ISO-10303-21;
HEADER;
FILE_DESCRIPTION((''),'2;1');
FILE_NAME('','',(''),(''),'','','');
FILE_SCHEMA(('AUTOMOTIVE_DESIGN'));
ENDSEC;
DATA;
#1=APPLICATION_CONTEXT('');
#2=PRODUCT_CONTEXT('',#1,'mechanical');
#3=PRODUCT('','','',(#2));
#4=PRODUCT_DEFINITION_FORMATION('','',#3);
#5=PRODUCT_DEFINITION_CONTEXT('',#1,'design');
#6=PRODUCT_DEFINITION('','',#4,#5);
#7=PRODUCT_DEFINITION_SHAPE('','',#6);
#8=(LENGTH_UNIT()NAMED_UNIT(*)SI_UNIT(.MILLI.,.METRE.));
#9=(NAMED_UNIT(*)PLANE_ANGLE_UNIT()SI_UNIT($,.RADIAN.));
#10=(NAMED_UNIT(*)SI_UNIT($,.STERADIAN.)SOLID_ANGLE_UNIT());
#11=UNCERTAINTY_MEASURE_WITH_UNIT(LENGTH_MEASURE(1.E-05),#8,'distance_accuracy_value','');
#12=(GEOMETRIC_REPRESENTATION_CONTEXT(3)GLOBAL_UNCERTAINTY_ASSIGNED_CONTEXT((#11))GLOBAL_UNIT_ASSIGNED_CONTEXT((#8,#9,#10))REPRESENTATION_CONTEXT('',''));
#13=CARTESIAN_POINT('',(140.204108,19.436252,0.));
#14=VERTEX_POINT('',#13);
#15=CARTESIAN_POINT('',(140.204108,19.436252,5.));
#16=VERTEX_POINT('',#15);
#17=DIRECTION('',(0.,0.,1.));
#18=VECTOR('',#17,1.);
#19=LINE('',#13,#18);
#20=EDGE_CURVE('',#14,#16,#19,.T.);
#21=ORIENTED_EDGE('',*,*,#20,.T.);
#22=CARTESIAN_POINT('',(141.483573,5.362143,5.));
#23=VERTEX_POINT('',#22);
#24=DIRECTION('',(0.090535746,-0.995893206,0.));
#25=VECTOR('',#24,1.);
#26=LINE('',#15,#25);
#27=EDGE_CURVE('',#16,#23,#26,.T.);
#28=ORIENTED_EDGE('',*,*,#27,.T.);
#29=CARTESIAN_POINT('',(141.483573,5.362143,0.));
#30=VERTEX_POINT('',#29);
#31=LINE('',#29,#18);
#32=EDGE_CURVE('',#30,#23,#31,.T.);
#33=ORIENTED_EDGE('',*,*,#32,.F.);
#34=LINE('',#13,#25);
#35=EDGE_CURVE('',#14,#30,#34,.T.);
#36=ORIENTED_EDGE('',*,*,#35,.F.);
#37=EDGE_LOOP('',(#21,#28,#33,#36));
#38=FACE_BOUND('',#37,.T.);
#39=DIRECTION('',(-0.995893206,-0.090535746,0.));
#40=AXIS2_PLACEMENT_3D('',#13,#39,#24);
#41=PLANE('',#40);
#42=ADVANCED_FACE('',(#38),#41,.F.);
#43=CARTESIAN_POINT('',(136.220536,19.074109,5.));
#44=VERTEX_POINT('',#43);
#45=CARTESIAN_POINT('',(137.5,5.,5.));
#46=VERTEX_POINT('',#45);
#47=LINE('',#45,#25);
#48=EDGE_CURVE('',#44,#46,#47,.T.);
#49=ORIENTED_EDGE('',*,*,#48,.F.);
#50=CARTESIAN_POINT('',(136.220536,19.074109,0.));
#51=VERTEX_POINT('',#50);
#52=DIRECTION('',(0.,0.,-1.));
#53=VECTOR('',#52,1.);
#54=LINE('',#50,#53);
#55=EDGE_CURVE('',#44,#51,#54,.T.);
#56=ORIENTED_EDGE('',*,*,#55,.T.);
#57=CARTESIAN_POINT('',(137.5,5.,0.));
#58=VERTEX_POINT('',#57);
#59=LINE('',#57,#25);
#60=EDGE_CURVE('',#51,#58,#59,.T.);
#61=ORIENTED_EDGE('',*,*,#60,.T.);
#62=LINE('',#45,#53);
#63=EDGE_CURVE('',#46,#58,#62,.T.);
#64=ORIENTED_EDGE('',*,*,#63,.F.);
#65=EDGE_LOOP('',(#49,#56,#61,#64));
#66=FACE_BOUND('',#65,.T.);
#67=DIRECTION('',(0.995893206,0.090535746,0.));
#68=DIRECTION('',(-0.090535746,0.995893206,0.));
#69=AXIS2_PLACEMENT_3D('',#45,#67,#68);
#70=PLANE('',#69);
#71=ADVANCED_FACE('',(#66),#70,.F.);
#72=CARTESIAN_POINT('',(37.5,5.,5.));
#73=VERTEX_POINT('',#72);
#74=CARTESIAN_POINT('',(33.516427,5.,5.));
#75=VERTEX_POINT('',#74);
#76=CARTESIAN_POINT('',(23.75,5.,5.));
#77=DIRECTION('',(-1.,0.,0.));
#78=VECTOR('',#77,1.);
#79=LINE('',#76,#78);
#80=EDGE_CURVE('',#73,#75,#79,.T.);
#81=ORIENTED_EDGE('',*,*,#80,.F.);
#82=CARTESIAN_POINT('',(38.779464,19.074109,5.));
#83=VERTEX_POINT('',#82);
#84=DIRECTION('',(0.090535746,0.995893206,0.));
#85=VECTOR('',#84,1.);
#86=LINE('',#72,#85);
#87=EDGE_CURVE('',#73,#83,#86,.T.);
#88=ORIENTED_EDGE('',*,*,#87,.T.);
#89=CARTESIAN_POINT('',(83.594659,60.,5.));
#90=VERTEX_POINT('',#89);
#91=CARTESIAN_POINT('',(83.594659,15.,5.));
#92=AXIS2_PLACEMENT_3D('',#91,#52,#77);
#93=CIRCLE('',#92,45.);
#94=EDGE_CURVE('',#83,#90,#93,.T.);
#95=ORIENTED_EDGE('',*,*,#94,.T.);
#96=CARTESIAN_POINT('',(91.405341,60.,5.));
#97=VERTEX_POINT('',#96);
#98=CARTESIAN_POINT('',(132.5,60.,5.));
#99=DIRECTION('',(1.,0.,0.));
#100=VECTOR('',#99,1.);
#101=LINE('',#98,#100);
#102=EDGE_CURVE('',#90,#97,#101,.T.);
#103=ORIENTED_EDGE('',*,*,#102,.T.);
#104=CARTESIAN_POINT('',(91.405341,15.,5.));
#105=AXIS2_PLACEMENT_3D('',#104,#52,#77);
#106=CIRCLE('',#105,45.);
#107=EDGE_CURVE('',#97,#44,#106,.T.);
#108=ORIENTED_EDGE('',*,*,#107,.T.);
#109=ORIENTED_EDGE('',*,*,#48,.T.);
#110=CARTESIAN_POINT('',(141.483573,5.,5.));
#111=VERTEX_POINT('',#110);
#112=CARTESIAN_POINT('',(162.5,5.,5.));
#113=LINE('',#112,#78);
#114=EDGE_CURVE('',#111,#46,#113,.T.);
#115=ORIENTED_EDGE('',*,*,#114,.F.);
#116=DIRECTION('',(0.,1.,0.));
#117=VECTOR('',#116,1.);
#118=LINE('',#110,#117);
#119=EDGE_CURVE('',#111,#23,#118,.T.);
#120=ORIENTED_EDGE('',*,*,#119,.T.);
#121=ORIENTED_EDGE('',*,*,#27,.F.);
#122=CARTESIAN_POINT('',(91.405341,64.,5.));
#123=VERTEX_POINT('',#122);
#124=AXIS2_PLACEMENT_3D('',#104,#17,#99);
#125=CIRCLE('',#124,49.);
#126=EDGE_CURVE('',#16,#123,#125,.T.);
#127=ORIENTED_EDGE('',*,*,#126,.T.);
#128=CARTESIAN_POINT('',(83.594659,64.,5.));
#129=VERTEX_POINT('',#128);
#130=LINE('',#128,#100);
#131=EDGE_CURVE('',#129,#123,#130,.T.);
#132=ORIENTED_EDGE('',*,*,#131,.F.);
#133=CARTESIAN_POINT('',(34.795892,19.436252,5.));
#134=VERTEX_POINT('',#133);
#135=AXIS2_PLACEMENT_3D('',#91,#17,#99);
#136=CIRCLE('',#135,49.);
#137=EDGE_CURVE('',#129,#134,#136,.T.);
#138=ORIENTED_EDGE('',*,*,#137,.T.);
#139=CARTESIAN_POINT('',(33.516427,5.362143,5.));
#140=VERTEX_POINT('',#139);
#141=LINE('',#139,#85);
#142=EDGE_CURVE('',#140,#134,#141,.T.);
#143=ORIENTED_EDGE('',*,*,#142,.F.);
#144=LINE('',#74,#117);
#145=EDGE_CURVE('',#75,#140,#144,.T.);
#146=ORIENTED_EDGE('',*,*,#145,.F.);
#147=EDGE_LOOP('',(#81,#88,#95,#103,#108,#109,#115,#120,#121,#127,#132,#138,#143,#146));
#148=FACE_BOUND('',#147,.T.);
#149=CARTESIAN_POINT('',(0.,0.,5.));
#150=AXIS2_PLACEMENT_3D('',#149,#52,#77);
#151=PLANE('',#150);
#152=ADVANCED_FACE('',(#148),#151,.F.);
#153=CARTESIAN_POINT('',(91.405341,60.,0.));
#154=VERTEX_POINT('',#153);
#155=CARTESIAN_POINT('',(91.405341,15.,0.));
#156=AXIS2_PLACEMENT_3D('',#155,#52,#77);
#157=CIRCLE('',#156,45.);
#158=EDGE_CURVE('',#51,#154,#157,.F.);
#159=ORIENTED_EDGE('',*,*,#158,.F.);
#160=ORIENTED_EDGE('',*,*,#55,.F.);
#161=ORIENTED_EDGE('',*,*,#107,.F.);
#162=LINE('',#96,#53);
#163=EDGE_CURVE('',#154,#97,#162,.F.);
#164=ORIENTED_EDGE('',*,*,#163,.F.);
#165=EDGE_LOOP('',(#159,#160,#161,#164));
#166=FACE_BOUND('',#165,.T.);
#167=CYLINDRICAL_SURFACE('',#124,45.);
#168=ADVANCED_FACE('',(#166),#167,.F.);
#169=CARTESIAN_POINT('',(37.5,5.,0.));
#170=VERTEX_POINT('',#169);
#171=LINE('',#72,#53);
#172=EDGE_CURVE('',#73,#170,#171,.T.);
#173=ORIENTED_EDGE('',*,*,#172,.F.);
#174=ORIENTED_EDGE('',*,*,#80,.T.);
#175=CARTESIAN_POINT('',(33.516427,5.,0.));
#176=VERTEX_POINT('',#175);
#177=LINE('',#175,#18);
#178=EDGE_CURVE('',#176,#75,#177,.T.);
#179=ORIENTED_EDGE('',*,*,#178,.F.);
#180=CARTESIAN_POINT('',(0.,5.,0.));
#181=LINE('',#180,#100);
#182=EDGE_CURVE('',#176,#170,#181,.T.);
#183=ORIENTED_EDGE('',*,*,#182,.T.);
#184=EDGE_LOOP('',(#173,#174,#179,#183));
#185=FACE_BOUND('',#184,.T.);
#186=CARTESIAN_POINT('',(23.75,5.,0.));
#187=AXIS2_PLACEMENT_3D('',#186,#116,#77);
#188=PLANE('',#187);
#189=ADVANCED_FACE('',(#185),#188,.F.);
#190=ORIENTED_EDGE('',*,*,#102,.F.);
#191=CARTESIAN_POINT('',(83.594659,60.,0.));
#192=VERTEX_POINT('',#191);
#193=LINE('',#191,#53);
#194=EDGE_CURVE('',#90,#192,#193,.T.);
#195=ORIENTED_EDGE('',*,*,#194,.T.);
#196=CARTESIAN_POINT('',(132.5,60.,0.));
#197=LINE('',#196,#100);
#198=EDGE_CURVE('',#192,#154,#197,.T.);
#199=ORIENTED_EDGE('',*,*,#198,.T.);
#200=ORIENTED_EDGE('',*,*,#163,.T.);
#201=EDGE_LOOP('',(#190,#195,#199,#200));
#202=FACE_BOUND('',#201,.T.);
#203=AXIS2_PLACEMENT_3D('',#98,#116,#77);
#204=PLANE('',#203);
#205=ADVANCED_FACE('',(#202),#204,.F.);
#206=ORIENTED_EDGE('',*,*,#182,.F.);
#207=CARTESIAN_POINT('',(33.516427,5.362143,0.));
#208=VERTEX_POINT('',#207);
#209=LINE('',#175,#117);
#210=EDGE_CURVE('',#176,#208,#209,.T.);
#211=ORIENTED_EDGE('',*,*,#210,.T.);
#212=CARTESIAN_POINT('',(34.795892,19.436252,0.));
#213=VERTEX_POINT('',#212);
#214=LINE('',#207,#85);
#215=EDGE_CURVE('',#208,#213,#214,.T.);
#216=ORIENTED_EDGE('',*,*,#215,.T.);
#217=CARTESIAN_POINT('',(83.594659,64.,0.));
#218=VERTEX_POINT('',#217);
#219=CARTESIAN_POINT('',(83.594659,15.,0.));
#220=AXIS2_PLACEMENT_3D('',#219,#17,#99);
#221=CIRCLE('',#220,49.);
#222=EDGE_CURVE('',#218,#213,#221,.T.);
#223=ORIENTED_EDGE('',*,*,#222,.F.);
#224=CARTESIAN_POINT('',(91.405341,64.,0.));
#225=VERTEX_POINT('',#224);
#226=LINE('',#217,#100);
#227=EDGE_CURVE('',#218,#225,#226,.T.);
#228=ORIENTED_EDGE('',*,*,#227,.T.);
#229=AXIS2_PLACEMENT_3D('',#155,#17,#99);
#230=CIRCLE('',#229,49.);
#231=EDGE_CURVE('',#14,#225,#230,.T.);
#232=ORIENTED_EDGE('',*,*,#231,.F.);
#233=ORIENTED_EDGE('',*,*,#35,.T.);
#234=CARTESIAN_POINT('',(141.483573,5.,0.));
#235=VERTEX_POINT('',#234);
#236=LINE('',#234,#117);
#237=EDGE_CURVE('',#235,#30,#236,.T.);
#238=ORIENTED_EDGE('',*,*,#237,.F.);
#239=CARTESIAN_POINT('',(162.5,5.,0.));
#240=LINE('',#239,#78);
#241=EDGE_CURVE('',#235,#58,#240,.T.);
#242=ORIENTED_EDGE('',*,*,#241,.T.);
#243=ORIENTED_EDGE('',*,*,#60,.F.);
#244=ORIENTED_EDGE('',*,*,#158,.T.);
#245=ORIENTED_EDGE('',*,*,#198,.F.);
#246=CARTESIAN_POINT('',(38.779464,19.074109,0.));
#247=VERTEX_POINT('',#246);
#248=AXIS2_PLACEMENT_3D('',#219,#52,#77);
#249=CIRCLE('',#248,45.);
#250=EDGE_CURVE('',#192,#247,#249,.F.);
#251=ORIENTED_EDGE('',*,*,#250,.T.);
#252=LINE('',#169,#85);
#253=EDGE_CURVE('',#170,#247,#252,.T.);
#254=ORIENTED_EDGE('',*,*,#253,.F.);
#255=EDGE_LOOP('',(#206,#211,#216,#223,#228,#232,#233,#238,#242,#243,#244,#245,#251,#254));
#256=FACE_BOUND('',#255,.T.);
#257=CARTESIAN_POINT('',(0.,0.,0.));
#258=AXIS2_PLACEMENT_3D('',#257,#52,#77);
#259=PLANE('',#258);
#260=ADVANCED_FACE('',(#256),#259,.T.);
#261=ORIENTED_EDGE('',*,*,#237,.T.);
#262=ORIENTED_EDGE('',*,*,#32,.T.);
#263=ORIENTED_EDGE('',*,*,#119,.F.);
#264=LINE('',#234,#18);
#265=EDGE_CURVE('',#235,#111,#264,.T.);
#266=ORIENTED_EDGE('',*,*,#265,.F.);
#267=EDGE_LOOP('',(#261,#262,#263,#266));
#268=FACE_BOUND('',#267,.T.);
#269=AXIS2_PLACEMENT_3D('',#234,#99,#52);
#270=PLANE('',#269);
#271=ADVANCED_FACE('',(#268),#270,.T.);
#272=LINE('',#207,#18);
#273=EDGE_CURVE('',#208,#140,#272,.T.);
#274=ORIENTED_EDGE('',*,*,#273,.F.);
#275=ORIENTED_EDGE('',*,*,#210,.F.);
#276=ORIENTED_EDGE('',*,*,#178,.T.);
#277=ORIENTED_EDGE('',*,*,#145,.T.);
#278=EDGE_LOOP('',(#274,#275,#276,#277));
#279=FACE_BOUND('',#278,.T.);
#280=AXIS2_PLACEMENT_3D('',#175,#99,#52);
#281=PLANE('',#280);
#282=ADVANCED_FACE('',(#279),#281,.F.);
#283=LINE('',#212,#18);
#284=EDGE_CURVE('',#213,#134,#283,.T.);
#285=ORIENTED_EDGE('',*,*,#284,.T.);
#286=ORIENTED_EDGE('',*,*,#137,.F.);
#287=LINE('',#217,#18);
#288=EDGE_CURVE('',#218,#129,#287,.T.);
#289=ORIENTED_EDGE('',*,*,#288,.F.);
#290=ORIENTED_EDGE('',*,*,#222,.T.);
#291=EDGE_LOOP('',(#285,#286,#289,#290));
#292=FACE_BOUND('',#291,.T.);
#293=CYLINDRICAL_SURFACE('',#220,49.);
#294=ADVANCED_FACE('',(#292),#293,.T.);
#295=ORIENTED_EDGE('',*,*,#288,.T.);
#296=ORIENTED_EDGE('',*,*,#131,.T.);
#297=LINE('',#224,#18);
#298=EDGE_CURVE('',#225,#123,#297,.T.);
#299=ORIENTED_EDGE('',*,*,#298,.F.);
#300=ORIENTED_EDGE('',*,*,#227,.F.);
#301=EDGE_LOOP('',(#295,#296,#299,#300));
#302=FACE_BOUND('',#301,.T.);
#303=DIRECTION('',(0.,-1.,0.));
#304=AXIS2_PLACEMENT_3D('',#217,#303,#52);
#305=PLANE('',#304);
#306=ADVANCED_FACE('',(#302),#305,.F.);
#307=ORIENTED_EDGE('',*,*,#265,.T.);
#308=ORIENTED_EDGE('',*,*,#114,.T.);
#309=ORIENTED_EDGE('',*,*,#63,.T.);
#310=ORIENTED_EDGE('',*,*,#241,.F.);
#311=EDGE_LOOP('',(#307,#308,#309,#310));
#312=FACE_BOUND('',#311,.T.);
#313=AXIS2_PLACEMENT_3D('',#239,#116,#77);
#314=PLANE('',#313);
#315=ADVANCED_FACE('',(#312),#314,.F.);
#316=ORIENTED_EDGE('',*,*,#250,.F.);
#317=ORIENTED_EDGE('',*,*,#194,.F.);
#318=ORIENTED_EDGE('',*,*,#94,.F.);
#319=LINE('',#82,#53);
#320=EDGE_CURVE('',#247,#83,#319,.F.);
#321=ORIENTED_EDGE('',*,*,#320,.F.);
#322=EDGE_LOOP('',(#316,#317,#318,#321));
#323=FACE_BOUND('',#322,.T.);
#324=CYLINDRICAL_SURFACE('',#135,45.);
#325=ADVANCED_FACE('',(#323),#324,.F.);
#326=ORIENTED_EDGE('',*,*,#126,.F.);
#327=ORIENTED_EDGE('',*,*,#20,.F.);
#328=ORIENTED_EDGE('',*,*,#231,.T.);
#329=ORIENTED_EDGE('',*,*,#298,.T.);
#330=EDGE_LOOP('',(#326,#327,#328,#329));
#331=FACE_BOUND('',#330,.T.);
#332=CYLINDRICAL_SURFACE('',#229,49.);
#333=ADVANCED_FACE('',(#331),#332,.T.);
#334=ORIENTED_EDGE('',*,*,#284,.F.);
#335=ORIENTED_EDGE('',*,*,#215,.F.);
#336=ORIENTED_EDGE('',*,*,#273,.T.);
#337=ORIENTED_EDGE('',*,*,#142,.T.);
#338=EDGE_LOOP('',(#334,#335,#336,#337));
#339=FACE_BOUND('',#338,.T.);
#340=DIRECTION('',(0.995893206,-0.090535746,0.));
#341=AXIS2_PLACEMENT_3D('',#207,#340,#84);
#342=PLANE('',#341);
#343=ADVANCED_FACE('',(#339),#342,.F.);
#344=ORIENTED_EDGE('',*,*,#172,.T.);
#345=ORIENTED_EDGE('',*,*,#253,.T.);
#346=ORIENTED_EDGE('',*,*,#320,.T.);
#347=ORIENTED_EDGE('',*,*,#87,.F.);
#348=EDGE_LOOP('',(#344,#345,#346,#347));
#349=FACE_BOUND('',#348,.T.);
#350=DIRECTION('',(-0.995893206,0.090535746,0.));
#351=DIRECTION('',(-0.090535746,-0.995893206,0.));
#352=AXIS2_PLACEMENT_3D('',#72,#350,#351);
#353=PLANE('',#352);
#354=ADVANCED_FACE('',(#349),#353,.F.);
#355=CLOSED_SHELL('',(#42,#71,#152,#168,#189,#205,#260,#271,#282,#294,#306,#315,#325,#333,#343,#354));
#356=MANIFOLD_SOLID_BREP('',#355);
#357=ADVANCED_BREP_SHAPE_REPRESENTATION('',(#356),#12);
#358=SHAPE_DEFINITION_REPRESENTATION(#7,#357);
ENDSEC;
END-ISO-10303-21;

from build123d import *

# Parameters (mm, degrees)
EXTRUDE_1_DEPTH      = 5
SKETCH_3_W           = 25
SKETCH_3_H           = 3
SKETCH_3_W_2         = 27.5
CUT_EXTRUDE_1_DEPTH  = 396.82192966
SKETCH_2_R           = 1
CUT_EXTRUDE_2_DEPTH  = 396.82192966
SKETCH_4_R           = 1
CUT_EXTRUDE_3_DEPTH  = 396.82192966
SKETCH_5_W           = 3
SKETCH_5_H           = 20
CUT_EXTRUDE_4_DEPTH  = 396.82192966
SKETCH_6_W           = 52.963954937
SKETCH_6_H           = 5
SKETCH_6_W_2         = 50.247879271
CUT_EXTRUDE_5_DEPTH  = 396.82192966
SKETCH_7_W           = 24.499878537
SKETCH_7_H           = 5
SKETCH_7_W_2         = 25.63433041
SKETCH_7_W_3         = 30.65568147
SKETCH_7_W_4         = 13.75
CUT_EXTRUDE_6_DEPTH  = 396.82192966
CUT_EXTRUDE_10_DEPTH = 396.82192966
SKETCH_12_W          = 10
SKETCH_12_H          = 114.036005351
CUT_EXTRUDE_11_DEPTH = 396.82192966
SKETCH_13_W          = 5
SKETCH_13_H          = 15
EXTRUDE_2_DEPTH      = 3
CUT_EXTRUDE_12_DEPTH = 396.82192966
FILLET_1_R           = 45
CUT_EXTRUDE_13_DEPTH = 396.82192966


with BuildPart() as part:
    # 草图1 → 凸台-拉伸1 (new body)
    with BuildSketch(Plane.XY):
        Polygon((0, 0), (0, 85), (110, 105), (125, 175), (355, 175), (355, 0), (317.5, 0), (317.5, 5), (312.5, 60), (222.5, 60), (217.5, 5), (217.5, 0), (137.5, 0), (137.5, 5), (132.5, 60), (42.5, 60), (37.5, 5), (37.5, 0), align=None)
    extrude(amount=EXTRUDE_1_DEPTH)

    # 草图3 → 切除-拉伸1 (cut, through all)
    with BuildSketch(Plane.XY.offset(5)):
        with Locations((180, 173.5)):
            Rectangle(SKETCH_3_W, SKETCH_3_H)
        with Locations((341.25, 173.5)):
            Rectangle(SKETCH_3_W_2, SKETCH_3_H)
        with Locations((220, 173.5)):
            Rectangle(SKETCH_3_W, SKETCH_3_H)
        with Locations((260, 173.5)):
            Rectangle(SKETCH_3_W, SKETCH_3_H)
        with Locations((300, 173.5)):
            Rectangle(SKETCH_3_W, SKETCH_3_H)
        Polygon((152.5, 175), (152.5, 172), (124.357142857, 172), (125, 175), align=None)
    extrude(amount=-CUT_EXTRUDE_1_DEPTH, mode=Mode.SUBTRACT)

    # 草图2 → 切除-拉伸2 (cut, through all)
    with BuildSketch(Plane.XY.offset(5)):
        with Locations((200, 173)):
            Circle(SKETCH_2_R)
        with Locations((240, 173)):
            Circle(SKETCH_2_R)
        with Locations((280, 173)):
            Circle(SKETCH_2_R)
        with Locations((320, 173)):
            Circle(SKETCH_2_R)
        with Locations((160, 173)):
            Circle(SKETCH_2_R)
    extrude(amount=-CUT_EXTRUDE_2_DEPTH, mode=Mode.SUBTRACT)

    # 草图4 → 切除-拉伸3 (cut, through all)
    with BuildSketch(Plane.XY.offset(5)):
        with Locations((353, 162)):
            Circle(SKETCH_4_R)
        with Locations((353, 122)):
            Circle(SKETCH_4_R)
        with Locations((353, 82)):
            Circle(SKETCH_4_R)
        with Locations((353, 42)):
            Circle(SKETCH_4_R)
    extrude(amount=-CUT_EXTRUDE_3_DEPTH, mode=Mode.SUBTRACT)

    # 草图5 → 切除-拉伸4 (cut, through all)
    with BuildSketch(Plane.XY.offset(5)):
        with Locations((353.5, 142)):
            Rectangle(SKETCH_5_W, SKETCH_5_H)
        with Locations((353.5, 102)):
            Rectangle(SKETCH_5_W, SKETCH_5_H)
        with Locations((353.5, 62)):
            Rectangle(SKETCH_5_W, SKETCH_5_H)
        with Locations((353.5, 22)):
            Rectangle(SKETCH_5_W, SKETCH_5_H)
    extrude(amount=-CUT_EXTRUDE_4_DEPTH, mode=Mode.SUBTRACT)

    # 草图6 → 切除-拉伸5 (cut, through all)
    with BuildSketch(Plane.XY.offset(5)):
        with Locations((136.018022532, 2.5)):
            Rectangle(SKETCH_6_W, SKETCH_6_H)
        with Locations((217.623939635, 2.5)):
            Rectangle(SKETCH_6_W_2, SKETCH_6_H)
    extrude(amount=-CUT_EXTRUDE_5_DEPTH, mode=Mode.SUBTRACT)

    # 草图7 → 切除-拉伸6 (cut, through all)
    with BuildSketch(Plane.XY.offset(5)):
        with Locations((1.500060731, 2.5)):
            Rectangle(SKETCH_7_W, SKETCH_7_H)
        with Locations((36.567165205, 2.5)):
            Rectangle(SKETCH_7_W_2, SKETCH_7_H)
        with Locations((315.922159265, 2.5)):
            Rectangle(SKETCH_7_W_3, SKETCH_7_H)
        with Locations((348.125, 2.5)):
            Rectangle(SKETCH_7_W_4, SKETCH_7_H)
    extrude(amount=-CUT_EXTRUDE_6_DEPTH, mode=Mode.SUBTRACT)

    # 草图11 → 切除-拉伸10 (cut, through all)
    with BuildSketch(Plane.XY.offset(5)):
        Polygon((114.275152951, 110.632892707), (111.341745709, 111.261479973), (123.075374677, 166.018415161), (126.00878192, 165.389827895), align=None)
    extrude(amount=-CUT_EXTRUDE_10_DEPTH, mode=Mode.SUBTRACT)

    # 草图12 → 切除-拉伸11 (cut, through all)
    with BuildSketch(Plane.XY.offset(5)):
        with Locations((5, 77.018002676)):
            Rectangle(SKETCH_12_W, SKETCH_12_H)
    extrude(amount=-CUT_EXTRUDE_11_DEPTH, mode=Mode.SUBTRACT)

    # 草图13 → 凸台-拉伸2 (add)
    with BuildSketch(Plane.XY.offset(5)):
        with Locations((7.5, 37.5)):
            Rectangle(SKETCH_13_W, SKETCH_13_H)
        with Locations((7.5, 67.5)):
            Rectangle(SKETCH_13_W, SKETCH_13_H)
    extrude(amount=-EXTRUDE_2_DEPTH)

    # 草图15 → 切除-拉伸12 (cut, through all)
    with BuildSketch(Plane.XY.offset(5)):
        Polygon((35.491174943, 86.370968223), (34.596747752, 91.290317773), (19.838699101, 88.6070362), (20.733126292, 83.68768665), align=None)
        Polygon((54.274145954, 94.868026537), (55.168573145, 89.948676987), (69.926621797, 92.63195856), (69.032194606, 97.55130811), align=None)
        Polygon((88.709592808, 101.129016874), (89.604019999, 96.209667324), (104.36206865, 98.892948897), (103.467641459, 103.812298447), align=None)
    extrude(amount=-CUT_EXTRUDE_12_DEPTH, mode=Mode.SUBTRACT)

    # 圆角1
    fillet_1_edges = [part.edges().sort_by_distance(p)[0] for p in [
        (312.5, 60, 2.5),
        (222.5, 60, 2.5),
        (132.5, 60, 2.5),
        (42.5, 60, 2.5),
    ]]
    fillet(fillet_1_edges, radius=FILLET_1_R)

    # 草图16 → 切除-拉伸13 (cut, through all)
    with BuildSketch(Plane.XY.offset(5)):
        with BuildLine():
            Line((33.516427174, 5), (33.516427174, 5.362142984))
            Line((33.516427174, 5.362142984), (34.79589159, 19.436251556))
            ThreePointArc((34.79589159, 19.436251556), (50.552082583, 51.182705304), (83.594658707, 64))
            Line((83.594658707, 64), (91.405341293, 64))
            ThreePointArc((91.405341293, 64), (124.447917417, 51.182705304), (140.20410841, 19.436251556))
            Line((140.20410841, 19.436251556), (141.483572826, 5.362142984))
            Line((141.483572826, 5.362142984), (141.483572826, 5))
            Line((141.483572826, 5), (162.5, 0))
            Line((162.5, 0), (192.5, 0))
            Line((192.5, 0), (217.5, 5))
            Line((217.5, 5), (317.5, 5))
            Line((317.5, 5), (331.25, 0))
            Line((331.25, 0), (341.25, 0))
            Line((341.25, 0), (355, 5))
            Line((355, 5), (355, 172))
            Line((355, 172), (327.5, 175))
            Line((327.5, 175), (152.5, 175))
            Line((152.5, 175), (124.357142857, 172))
            Line((124.357142857, 172), (88.709592808, 101.129016874))
            Line((88.709592808, 101.129016874), (10, 86.818181818))
            Line((10, 86.818181818), (5, 75))
            Line((5, 75), (0, 20))
            Line((0, 20), (0, 5))
            Line((0, 5), (13.75, 0))
            Line((13.75, 0), (23.75, 0))
            Line((23.75, 0), (33.516427174, 5))
        make_face()
    extrude(amount=-CUT_EXTRUDE_13_DEPTH, mode=Mode.SUBTRACT)


solid = part.part
